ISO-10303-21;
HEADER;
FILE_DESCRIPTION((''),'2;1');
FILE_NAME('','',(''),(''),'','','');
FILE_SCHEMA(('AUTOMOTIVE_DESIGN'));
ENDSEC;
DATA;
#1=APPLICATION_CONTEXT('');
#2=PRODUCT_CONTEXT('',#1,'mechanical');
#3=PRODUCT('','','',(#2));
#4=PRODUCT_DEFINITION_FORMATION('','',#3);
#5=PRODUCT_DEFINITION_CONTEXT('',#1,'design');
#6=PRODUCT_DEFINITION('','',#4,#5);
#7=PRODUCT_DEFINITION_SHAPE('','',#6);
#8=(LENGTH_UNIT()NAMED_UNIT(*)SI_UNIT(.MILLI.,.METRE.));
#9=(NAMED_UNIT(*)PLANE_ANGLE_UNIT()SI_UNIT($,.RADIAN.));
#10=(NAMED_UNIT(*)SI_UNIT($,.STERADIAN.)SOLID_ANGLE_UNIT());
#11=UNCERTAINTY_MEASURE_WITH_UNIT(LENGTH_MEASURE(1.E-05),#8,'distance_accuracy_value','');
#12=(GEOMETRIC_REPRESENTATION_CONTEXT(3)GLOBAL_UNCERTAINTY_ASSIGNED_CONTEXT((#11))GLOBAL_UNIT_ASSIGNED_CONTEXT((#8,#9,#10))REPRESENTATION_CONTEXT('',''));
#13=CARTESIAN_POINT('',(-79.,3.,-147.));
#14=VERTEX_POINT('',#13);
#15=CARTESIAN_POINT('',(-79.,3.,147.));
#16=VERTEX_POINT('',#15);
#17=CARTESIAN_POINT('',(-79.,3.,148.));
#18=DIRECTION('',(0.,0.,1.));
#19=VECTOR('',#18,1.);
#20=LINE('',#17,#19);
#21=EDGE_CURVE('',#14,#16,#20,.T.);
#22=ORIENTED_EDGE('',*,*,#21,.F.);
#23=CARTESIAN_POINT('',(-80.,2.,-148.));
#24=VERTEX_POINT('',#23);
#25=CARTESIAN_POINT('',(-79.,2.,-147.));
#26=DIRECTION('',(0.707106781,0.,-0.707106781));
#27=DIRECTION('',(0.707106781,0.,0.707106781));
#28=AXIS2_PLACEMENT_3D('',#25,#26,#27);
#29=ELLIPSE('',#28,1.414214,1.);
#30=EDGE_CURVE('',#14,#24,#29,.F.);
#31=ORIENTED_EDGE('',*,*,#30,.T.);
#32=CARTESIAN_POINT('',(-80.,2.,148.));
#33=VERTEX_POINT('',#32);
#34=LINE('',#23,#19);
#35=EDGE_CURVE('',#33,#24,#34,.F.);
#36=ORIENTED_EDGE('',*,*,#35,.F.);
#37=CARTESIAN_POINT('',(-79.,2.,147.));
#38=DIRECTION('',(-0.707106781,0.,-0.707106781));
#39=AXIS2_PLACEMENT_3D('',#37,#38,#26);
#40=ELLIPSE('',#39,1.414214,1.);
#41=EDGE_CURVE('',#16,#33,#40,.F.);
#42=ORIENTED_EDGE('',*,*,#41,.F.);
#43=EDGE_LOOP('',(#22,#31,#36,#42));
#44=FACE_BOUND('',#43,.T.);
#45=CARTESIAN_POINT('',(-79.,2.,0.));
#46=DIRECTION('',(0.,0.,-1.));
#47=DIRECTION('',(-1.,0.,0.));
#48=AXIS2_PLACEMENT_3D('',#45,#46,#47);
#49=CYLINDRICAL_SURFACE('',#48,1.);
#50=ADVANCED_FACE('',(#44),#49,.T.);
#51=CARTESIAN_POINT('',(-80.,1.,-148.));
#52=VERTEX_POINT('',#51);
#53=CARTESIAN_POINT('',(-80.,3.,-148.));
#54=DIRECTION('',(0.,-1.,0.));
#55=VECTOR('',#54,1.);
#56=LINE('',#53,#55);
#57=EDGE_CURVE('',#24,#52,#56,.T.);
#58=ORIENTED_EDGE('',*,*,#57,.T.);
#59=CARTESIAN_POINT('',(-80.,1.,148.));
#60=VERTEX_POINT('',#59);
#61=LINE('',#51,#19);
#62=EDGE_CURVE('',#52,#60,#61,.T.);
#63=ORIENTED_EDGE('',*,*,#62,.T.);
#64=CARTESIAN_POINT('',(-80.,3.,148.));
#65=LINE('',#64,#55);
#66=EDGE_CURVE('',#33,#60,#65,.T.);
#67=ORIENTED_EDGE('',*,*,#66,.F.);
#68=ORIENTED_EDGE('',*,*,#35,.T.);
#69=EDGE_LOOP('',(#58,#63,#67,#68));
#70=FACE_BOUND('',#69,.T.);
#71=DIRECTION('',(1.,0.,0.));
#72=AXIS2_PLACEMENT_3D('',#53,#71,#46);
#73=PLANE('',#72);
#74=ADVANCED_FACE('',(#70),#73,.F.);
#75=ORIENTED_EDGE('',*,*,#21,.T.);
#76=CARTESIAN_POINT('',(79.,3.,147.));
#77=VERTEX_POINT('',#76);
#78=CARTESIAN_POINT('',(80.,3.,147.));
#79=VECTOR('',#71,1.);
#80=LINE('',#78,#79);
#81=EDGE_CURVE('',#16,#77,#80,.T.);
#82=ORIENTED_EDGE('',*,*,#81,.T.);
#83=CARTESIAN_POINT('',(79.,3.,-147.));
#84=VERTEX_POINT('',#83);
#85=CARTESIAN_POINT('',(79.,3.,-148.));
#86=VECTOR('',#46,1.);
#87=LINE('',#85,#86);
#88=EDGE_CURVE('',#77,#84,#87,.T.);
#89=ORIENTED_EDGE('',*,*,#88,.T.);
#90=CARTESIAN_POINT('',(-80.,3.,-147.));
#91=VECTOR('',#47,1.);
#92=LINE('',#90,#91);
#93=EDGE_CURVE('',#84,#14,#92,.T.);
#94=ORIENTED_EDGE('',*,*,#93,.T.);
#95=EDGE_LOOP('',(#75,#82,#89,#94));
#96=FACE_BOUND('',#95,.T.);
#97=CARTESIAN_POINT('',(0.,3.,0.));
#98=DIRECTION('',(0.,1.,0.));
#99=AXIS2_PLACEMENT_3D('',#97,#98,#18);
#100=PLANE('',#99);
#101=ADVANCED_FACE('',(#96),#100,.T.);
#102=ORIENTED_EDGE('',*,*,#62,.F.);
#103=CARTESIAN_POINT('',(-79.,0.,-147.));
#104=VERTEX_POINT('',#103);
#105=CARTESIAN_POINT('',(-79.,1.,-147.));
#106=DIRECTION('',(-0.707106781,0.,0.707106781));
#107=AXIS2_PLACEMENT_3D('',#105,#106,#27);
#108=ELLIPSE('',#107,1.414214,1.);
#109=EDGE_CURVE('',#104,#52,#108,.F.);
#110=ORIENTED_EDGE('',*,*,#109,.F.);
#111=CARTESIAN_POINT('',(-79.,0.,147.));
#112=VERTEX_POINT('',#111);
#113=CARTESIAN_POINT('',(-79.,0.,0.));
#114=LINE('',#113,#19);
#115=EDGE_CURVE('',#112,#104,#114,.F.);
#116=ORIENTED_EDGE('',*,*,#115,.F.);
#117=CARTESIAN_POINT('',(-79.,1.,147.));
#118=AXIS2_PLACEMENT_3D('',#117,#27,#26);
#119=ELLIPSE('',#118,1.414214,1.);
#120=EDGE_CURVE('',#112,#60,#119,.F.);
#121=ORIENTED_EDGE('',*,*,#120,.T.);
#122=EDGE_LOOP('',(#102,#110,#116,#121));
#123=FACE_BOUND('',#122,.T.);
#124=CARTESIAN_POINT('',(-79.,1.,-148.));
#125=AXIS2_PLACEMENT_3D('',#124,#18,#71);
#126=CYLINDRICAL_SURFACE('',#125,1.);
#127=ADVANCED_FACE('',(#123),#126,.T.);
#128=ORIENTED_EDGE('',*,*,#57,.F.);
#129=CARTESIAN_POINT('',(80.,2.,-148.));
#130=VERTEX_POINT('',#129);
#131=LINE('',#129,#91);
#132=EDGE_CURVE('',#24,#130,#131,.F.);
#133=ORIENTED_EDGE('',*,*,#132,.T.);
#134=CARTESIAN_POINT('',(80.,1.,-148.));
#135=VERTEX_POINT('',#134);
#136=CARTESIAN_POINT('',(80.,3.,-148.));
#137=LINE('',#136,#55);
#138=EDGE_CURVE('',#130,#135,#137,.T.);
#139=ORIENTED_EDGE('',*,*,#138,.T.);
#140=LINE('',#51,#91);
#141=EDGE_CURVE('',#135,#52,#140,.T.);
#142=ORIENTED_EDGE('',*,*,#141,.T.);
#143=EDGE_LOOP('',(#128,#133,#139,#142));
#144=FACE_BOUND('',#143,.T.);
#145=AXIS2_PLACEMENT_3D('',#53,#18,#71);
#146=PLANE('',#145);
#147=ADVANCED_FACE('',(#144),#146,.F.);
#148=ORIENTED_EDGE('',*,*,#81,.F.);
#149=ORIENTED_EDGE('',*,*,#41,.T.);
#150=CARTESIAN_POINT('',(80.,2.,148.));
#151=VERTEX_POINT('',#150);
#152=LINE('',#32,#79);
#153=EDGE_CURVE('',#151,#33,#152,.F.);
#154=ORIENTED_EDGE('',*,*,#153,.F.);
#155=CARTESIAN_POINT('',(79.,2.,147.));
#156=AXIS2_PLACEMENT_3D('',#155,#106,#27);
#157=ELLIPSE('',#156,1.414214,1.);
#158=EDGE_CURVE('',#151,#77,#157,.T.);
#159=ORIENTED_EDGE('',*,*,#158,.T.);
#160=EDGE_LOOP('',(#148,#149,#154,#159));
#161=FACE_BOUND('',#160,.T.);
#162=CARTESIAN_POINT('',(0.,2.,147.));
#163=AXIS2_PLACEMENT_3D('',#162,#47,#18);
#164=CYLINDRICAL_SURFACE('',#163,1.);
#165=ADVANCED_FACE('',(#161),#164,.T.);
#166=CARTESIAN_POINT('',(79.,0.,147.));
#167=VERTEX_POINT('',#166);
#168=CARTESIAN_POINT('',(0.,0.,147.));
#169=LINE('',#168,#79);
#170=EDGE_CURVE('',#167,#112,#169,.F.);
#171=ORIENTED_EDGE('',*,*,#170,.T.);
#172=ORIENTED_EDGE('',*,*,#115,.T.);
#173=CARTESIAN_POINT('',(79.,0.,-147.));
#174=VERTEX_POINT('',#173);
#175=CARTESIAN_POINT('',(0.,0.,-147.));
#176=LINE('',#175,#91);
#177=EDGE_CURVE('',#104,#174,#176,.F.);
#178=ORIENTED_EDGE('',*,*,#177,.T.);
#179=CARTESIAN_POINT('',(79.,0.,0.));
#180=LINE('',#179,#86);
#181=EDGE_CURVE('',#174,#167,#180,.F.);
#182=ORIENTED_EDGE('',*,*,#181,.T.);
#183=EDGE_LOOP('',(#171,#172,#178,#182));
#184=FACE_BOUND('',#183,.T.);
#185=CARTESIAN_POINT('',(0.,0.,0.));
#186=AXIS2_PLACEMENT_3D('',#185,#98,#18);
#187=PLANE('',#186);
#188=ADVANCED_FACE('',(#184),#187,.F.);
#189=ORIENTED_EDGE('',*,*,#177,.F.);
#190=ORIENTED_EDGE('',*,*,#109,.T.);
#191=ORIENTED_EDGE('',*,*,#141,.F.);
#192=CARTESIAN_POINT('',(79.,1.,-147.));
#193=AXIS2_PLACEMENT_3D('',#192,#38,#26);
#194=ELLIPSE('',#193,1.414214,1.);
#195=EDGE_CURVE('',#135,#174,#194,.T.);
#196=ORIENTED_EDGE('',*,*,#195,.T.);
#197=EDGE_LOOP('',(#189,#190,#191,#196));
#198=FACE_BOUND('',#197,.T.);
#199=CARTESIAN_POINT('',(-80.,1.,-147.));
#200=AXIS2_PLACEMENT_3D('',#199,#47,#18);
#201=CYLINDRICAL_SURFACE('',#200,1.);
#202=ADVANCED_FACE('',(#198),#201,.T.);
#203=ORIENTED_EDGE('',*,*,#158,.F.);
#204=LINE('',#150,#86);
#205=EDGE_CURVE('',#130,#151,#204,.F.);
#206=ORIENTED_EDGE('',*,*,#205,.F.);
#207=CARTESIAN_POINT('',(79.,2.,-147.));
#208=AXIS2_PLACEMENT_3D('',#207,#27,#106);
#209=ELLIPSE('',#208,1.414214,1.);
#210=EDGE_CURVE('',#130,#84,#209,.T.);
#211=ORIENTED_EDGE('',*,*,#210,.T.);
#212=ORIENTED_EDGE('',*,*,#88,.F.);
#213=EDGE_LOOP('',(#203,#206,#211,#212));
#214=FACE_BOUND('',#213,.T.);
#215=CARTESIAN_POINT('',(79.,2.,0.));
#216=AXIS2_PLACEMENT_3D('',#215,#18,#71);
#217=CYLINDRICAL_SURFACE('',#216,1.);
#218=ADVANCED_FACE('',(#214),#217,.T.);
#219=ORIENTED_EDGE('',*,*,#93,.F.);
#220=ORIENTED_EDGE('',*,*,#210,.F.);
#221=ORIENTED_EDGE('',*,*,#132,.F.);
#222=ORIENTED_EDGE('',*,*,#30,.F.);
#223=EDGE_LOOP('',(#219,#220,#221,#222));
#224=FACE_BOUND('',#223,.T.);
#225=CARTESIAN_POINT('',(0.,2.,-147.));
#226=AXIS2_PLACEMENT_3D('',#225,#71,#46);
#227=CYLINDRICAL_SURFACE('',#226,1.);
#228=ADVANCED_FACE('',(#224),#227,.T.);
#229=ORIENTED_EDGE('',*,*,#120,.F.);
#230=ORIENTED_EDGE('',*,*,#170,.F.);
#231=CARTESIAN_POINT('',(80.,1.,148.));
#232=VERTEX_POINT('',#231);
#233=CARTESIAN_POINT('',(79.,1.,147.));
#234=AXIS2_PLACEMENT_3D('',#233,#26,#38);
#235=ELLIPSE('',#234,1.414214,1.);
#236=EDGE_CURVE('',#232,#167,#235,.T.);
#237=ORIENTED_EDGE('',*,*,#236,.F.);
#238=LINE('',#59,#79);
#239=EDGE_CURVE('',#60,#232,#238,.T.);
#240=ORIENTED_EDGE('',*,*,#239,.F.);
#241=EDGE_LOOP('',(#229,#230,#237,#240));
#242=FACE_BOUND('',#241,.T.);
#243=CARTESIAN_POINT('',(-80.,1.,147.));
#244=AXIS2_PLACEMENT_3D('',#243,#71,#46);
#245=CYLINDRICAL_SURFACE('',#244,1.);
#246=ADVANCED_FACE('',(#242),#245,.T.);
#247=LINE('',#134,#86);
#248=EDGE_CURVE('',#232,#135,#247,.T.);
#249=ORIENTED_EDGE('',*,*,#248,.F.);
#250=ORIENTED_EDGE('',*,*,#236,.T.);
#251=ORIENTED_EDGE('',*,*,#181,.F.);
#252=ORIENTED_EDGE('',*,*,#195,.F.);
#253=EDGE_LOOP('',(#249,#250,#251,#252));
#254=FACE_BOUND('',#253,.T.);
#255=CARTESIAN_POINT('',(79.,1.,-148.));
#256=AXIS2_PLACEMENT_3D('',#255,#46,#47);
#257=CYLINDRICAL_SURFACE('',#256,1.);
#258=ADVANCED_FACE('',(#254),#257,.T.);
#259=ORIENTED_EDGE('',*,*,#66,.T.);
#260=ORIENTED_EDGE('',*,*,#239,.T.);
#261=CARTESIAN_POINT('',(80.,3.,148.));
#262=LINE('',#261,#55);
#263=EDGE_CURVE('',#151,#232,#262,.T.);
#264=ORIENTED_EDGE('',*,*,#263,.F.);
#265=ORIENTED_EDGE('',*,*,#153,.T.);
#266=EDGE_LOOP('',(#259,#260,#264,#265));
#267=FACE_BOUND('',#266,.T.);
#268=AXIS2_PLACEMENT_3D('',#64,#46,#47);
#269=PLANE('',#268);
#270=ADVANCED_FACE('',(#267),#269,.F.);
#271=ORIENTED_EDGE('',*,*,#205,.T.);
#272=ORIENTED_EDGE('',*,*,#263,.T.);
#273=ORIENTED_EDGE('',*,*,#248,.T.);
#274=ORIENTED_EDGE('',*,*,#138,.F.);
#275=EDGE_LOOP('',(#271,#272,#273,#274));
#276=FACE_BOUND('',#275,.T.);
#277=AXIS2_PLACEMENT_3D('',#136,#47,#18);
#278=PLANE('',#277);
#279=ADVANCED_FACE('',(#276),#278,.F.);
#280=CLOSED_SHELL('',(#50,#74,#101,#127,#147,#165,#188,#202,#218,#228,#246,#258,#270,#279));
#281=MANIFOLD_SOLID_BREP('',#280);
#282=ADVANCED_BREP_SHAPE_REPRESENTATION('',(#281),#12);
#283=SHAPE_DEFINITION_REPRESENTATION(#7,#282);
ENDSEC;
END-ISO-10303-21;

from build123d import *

# Parameters (mm, degrees)
SKETCH1_W           = 160
SKETCH1_H           = 296
BOSS_EXTRUDE1_DEPTH = 3
FILLET1_R           = 1


with BuildPart() as part:
    # Sketch1 → Boss-Extrude1 (new body)
    with BuildSketch(Plane(origin=(0, 0, 0), x_dir=(1, 0, 0), z_dir=(0, 1, 0))):
        Rectangle(SKETCH1_W, SKETCH1_H)
    extrude(amount=BOSS_EXTRUDE1_DEPTH)

    # Fillet1
    fillet1_edges = [part.edges().sort_by_distance(p)[0] for p in [
        (-80, 3, 0),
        (0, 3, 148),
        (80, 3, 0),
        (0, 0, 148),
        (-80, 0, 0),
        (0, 0, -148),
        (80, 0, 0),
        (0, 3, -148),
    ]]
    fillet(fillet1_edges, radius=FILLET1_R)


solid = part.part
